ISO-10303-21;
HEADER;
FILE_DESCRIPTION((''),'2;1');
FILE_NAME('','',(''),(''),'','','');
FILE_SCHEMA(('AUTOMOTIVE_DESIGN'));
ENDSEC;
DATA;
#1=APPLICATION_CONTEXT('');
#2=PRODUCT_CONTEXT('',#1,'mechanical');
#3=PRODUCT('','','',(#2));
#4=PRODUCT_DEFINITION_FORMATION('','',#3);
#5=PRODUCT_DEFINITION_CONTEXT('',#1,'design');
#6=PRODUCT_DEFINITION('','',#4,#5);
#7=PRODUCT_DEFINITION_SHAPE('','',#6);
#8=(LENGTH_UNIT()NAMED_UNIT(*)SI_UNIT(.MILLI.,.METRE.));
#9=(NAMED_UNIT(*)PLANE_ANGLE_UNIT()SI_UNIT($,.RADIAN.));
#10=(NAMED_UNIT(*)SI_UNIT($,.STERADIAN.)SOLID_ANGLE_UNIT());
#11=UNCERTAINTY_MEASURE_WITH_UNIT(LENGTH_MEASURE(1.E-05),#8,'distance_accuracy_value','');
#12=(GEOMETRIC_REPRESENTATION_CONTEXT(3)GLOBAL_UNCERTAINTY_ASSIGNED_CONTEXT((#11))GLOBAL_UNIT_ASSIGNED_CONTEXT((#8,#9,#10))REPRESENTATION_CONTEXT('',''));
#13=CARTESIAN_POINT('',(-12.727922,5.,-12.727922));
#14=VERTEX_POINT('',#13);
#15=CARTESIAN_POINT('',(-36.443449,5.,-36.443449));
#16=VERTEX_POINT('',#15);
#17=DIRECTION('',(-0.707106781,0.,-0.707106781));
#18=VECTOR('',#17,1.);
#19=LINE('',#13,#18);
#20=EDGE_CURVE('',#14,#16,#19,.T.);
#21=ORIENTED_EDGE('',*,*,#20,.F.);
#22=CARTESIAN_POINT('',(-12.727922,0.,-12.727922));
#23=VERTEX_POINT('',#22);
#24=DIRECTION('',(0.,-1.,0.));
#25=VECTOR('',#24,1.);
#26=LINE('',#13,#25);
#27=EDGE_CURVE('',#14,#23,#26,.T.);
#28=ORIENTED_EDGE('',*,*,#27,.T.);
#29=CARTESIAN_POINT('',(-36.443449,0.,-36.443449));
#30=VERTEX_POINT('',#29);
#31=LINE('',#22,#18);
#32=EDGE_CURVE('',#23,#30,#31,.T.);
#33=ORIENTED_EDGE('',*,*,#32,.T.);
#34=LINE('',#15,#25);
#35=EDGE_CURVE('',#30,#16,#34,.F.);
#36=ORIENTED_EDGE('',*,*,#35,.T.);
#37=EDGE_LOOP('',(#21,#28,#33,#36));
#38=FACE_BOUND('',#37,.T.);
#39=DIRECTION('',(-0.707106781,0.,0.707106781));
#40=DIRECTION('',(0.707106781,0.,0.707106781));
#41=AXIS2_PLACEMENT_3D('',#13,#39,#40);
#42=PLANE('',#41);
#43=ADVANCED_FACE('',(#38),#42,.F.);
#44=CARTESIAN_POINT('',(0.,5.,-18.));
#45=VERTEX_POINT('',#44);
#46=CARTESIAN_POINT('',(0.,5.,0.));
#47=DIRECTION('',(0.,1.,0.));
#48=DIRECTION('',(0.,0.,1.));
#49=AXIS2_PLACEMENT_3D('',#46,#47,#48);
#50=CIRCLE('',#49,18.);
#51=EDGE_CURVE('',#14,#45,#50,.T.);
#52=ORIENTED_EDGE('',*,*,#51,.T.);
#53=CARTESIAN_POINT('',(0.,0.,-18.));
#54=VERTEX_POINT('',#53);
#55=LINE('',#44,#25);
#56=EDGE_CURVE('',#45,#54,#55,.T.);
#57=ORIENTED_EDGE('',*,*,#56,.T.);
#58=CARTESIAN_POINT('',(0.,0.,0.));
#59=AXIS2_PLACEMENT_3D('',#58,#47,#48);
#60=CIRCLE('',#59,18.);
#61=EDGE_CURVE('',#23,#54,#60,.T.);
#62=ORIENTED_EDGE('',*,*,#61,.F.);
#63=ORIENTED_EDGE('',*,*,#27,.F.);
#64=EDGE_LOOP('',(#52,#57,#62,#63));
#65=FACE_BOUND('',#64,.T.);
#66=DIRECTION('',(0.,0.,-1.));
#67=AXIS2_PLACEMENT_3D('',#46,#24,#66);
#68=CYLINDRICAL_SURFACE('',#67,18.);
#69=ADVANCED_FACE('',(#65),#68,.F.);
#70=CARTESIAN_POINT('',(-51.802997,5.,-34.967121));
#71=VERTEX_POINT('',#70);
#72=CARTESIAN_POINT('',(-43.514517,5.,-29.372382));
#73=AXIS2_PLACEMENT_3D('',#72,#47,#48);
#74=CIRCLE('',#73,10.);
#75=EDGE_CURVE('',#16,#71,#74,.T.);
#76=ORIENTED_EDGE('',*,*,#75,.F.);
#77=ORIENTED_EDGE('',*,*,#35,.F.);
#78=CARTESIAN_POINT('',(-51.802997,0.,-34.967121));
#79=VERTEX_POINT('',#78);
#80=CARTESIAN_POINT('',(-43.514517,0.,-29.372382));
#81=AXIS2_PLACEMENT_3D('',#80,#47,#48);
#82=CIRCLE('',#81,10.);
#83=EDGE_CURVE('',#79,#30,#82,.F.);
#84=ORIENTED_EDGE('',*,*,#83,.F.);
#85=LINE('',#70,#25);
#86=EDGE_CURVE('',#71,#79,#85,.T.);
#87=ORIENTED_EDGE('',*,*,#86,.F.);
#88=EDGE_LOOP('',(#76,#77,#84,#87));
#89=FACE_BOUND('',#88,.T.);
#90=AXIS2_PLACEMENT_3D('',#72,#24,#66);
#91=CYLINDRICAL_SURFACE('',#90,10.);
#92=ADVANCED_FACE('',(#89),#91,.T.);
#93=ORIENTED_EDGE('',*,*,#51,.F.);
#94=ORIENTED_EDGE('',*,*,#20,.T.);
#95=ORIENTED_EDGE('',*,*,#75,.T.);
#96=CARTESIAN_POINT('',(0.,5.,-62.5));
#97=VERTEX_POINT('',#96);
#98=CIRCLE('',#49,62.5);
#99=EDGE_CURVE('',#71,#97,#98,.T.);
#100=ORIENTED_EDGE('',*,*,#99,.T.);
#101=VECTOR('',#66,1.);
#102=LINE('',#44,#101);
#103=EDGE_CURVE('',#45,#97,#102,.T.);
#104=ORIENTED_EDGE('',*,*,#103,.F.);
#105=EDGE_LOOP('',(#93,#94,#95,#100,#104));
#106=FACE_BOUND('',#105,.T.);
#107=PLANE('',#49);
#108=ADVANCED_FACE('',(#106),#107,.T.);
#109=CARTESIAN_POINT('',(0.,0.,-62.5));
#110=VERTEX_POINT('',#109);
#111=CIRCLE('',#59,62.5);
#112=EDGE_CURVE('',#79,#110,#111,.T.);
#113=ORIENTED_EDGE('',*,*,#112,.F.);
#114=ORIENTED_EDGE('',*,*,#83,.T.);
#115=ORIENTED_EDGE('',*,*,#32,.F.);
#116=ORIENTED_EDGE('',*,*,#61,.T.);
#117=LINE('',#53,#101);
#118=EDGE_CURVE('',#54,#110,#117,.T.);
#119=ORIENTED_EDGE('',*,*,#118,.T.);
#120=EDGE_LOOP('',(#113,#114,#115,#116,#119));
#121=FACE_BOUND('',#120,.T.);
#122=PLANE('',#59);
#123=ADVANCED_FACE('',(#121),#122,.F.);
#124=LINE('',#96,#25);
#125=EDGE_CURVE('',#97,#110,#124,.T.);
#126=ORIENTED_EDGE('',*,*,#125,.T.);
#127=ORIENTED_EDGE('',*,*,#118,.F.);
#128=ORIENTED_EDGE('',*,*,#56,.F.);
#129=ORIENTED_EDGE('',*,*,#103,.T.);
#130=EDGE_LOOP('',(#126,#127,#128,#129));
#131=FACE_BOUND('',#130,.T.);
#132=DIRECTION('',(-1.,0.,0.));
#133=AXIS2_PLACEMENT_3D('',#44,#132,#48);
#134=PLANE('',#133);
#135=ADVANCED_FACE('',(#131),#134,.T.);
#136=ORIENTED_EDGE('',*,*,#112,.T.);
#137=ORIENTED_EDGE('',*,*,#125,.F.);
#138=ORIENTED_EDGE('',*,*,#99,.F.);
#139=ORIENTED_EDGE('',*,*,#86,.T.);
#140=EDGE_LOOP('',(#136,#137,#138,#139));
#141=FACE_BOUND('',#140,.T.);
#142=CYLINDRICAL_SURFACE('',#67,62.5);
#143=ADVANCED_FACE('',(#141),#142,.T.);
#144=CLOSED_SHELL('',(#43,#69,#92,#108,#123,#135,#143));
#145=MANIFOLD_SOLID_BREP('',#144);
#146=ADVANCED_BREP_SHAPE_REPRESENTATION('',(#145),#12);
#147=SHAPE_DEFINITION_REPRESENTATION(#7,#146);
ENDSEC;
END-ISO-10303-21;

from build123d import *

# Parameters (mm, degrees)
EXTRUDE_1_DEPTH = 5
FILLET_1_R      = 10


with BuildPart() as part:
    # Эскиз1 → Бобышка-Вытянуть1 (new body)
    with BuildSketch(Plane(origin=(0, 0, 0), x_dir=(1, 0, 0), z_dir=(0, 1, 0))):
        with BuildLine():
            Line((-12.727922061, 12.727922061), (-44.194173824, 44.194173824))
            ThreePointArc((-44.194173824, 44.194173824), (23.917714523, -57.742470782), (0, 62.5))
            Line((0, 62.5), (0, 18))
            ThreePointArc((0, 18), (6.888301783, -16.629831585), (-12.727922061, 12.727922061))
        make_face()
    extrude(amount=EXTRUDE_1_DEPTH)

    # Скругление1
    fillet_1_edges = [part.edges().sort_by_distance(p)[0] for p in [
        (-44.194173824, 2.5, -44.194173824),
    ]]
    fillet(fillet_1_edges, radius=FILLET_1_R)


solid = part.part
